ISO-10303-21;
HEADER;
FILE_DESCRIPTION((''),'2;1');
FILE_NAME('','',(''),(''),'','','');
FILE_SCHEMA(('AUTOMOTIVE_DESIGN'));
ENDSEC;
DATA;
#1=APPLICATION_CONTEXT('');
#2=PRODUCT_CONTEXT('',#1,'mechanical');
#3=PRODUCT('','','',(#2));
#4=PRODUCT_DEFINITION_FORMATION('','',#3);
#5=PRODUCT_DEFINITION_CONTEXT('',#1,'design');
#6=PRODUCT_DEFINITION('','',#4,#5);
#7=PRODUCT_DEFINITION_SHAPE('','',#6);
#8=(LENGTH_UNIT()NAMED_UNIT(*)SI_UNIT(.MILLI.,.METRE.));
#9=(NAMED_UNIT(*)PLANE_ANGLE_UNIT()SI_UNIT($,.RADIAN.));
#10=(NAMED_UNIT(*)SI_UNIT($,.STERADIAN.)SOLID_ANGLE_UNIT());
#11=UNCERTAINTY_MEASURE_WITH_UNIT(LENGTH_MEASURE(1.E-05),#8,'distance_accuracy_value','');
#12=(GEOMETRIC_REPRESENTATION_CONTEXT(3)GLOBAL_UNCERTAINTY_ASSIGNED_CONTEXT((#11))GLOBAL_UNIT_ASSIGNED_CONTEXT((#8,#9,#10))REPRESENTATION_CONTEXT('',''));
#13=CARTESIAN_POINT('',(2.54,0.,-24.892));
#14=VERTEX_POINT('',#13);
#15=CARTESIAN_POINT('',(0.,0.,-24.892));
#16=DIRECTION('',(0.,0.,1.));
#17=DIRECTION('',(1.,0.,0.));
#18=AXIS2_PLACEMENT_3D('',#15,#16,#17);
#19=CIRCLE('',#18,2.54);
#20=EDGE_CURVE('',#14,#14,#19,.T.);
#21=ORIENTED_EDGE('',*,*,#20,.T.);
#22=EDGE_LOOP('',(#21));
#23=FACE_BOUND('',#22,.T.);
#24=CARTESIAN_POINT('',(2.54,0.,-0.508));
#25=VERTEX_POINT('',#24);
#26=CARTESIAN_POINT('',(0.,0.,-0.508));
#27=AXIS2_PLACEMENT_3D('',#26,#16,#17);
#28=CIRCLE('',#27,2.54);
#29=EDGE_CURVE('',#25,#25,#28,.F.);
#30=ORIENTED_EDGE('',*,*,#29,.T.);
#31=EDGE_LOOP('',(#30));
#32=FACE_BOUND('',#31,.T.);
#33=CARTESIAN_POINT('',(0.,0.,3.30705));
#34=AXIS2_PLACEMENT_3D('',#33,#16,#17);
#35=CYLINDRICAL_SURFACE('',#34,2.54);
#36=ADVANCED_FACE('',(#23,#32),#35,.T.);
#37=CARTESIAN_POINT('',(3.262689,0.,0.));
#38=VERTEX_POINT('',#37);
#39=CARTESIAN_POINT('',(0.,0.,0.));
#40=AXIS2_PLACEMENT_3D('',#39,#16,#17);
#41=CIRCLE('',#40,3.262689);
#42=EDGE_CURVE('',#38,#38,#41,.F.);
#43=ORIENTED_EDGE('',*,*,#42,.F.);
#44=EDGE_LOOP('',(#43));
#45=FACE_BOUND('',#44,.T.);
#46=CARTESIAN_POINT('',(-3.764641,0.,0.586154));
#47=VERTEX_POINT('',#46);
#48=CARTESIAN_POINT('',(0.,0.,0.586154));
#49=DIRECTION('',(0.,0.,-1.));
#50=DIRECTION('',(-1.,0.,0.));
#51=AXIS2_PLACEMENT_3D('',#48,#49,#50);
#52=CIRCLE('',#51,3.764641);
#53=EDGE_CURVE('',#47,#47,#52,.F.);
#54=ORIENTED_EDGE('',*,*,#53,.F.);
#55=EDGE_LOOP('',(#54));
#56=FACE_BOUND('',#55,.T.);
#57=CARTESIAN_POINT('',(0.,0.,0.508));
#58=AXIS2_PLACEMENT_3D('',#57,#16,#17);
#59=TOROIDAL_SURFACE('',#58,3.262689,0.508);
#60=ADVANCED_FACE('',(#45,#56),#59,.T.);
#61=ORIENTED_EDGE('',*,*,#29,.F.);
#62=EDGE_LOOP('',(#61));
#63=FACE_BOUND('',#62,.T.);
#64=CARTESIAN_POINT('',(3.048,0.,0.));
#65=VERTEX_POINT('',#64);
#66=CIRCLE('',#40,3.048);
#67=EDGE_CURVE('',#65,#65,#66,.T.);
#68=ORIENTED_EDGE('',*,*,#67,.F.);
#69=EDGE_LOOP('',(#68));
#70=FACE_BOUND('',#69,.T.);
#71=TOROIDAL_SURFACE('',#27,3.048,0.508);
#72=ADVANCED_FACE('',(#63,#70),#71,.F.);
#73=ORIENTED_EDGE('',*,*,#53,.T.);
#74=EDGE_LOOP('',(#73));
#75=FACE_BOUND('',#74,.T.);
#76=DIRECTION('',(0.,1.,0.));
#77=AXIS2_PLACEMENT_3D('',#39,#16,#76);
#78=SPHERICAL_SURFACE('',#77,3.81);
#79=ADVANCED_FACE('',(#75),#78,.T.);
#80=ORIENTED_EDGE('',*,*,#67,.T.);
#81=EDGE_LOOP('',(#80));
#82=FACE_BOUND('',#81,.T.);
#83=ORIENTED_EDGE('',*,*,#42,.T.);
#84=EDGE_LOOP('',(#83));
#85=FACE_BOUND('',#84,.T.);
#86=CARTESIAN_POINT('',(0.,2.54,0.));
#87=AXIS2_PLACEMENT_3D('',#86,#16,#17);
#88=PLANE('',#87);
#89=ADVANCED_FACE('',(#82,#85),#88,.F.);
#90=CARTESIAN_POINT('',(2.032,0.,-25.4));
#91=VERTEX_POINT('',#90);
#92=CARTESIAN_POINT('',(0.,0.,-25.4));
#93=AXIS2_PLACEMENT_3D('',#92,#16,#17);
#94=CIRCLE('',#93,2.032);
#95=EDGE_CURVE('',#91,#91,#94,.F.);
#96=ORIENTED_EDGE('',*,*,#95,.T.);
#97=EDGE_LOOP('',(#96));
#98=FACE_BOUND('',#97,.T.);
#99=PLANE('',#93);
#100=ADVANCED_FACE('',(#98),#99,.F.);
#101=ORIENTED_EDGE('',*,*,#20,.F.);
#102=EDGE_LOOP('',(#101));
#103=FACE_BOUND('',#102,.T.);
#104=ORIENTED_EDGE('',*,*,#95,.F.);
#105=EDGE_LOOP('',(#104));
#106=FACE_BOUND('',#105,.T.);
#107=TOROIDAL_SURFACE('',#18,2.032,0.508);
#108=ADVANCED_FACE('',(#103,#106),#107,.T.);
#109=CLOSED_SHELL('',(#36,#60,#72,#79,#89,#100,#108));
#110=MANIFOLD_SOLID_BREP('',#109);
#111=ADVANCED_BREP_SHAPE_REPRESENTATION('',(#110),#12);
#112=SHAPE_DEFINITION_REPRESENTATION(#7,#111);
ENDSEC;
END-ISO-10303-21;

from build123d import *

# Parameters (mm, degrees)
FILLET1_R = 0.508


with BuildPart() as part:
    # Sketch4 → Revolve4 (revolve)
    with BuildSketch(Plane(origin=(0, 0, 0), x_dir=(0, 0, -1), z_dir=(1, 0, 0)), mode=Mode.PRIVATE) as revolve4_sk:
        with BuildLine():
            Line((-3.307050371, 0), (25.4, 0))
            Line((25.4, 0), (25.4, 2.54))
            Line((25.4, 2.54), (0, 2.54))
            Line((0, 2.54), (0, 3.81))
            ThreePointArc((0, 3.81), (-2.694076836, 2.694076836), (-3.81, 0))
            Line((-3.81, 0), (-3.307050371, 0))
        make_face()
    revolve(revolve4_sk.sketch.rotate(Axis((0, 0, 3.307050371), (0, 0, -1)), 90), axis=Axis((0, 0, 3.307050371), (0, 0, -1)))

    # Fillet1
    fillet1_edges = [part.edges().sort_by_distance(p)[0] for p in [
        (-3.81, 0, 0),
        (-2.54, 0, 0),
        (-2.54, 0, -25.4),
    ]]
    fillet(fillet1_edges, radius=FILLET1_R)


solid = part.part
